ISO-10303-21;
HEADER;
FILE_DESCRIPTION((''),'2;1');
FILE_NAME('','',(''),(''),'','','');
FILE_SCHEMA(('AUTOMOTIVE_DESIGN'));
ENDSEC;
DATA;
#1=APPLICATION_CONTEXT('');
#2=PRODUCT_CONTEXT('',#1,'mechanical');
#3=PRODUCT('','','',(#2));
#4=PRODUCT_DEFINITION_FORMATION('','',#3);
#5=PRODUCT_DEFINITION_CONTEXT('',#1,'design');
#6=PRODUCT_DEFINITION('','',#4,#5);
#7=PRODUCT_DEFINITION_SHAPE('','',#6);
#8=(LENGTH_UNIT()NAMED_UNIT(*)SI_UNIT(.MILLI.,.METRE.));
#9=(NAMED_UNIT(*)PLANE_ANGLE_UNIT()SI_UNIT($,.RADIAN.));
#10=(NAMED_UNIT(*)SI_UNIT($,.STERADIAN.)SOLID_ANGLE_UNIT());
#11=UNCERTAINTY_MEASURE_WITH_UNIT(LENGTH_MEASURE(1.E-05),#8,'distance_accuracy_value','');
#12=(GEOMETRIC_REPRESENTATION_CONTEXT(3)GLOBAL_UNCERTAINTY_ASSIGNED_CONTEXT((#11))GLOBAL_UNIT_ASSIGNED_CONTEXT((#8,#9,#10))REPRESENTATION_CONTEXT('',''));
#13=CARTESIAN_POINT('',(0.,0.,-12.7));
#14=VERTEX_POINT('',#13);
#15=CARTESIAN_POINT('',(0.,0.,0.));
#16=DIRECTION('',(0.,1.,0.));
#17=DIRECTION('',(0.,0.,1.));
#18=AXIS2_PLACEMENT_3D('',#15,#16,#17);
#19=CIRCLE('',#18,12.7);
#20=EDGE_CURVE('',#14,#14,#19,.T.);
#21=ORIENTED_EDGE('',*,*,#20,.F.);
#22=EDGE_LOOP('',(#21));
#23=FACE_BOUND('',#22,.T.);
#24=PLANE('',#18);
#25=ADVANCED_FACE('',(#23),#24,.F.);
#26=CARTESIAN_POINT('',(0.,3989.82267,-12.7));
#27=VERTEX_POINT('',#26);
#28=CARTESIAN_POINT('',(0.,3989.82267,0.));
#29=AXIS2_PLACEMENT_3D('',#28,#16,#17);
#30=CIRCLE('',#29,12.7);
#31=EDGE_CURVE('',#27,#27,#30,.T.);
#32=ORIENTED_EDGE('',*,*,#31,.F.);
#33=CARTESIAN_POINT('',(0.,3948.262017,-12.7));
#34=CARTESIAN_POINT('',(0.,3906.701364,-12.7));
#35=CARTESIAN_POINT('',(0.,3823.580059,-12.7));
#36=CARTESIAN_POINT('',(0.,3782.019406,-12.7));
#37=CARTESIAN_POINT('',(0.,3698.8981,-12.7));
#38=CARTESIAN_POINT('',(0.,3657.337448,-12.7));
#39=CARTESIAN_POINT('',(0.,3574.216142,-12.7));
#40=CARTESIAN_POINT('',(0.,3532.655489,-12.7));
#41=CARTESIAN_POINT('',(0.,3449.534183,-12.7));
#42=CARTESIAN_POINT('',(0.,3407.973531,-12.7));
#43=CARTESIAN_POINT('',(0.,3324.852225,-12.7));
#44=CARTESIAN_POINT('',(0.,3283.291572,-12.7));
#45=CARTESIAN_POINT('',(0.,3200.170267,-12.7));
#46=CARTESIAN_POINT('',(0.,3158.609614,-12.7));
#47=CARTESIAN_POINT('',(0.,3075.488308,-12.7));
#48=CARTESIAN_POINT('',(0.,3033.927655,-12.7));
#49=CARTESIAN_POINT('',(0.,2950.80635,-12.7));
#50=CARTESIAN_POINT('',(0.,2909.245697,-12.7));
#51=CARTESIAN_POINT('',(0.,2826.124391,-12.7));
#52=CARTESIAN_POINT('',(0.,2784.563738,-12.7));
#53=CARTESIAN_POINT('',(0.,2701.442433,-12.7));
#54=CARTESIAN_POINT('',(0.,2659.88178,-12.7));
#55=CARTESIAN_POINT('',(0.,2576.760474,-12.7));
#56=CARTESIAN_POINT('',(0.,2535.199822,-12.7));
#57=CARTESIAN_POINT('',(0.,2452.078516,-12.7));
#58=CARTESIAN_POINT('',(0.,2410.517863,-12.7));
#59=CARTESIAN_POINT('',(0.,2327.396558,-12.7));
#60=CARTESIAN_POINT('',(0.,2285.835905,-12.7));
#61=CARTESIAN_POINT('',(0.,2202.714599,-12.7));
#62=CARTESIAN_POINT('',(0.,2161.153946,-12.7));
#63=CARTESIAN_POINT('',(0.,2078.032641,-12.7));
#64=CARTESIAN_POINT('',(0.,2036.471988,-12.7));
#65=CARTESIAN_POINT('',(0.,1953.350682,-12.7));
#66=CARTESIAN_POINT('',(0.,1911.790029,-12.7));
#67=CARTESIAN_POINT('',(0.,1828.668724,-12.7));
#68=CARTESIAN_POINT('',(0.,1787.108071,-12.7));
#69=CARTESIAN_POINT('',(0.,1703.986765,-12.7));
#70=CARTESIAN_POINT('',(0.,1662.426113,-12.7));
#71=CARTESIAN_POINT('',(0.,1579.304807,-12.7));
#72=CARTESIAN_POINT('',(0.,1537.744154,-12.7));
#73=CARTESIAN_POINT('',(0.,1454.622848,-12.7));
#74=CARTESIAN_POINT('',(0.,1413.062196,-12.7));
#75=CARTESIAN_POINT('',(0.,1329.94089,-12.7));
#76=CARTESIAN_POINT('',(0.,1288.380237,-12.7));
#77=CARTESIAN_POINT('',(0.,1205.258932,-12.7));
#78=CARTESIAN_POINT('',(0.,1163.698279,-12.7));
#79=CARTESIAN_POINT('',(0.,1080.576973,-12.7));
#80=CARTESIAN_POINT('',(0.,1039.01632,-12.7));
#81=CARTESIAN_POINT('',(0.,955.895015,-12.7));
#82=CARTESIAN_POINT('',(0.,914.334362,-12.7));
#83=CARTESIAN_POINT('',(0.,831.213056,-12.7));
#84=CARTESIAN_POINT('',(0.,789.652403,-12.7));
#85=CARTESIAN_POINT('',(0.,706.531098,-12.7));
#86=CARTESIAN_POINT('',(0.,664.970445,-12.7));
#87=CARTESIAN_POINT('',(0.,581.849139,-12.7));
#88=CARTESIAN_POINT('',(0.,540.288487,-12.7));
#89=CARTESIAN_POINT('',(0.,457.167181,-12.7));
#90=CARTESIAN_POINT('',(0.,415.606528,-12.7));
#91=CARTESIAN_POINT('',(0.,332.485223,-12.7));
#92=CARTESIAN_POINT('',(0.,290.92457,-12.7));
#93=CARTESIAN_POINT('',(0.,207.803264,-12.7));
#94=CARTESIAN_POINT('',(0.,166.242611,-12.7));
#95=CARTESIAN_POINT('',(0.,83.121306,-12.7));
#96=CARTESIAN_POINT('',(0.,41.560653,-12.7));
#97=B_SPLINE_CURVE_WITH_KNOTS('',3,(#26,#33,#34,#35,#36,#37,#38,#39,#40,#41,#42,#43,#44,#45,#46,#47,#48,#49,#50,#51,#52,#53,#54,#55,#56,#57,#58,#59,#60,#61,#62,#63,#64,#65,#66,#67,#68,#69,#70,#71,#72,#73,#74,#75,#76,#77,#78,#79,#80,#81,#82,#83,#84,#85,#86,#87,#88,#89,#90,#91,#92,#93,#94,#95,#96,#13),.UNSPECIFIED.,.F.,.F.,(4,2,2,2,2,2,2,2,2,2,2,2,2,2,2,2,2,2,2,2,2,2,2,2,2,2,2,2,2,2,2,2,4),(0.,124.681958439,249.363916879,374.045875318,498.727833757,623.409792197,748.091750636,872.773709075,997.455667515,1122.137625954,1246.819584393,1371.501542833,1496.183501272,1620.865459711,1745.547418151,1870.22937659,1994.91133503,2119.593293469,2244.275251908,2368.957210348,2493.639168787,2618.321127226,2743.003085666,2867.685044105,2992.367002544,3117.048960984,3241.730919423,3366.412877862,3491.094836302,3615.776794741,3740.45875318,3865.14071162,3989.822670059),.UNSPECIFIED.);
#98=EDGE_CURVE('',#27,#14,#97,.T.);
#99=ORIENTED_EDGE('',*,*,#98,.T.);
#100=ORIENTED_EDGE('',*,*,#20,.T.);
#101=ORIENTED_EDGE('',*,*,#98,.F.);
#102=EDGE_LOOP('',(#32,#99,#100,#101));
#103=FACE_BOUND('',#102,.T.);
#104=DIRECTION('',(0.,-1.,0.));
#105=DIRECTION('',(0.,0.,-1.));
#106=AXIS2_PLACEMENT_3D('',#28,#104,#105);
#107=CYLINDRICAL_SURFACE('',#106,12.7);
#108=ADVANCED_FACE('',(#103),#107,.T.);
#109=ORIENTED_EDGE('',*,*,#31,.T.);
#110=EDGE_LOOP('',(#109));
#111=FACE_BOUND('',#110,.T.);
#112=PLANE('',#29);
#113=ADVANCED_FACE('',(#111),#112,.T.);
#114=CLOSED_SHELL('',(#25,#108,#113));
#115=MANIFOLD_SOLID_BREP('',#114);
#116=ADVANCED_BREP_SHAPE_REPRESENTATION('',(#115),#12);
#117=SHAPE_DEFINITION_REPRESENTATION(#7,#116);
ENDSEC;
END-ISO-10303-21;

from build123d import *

# Parameters (mm, degrees)
SKETCH1_R           = 12.7
BOSS_EXTRUDE1_DEPTH = 3989.822670059


with BuildPart() as part:
    # Sketch1 → Boss-Extrude1 (new body)
    with BuildSketch(Plane(origin=(0, 0, 0), x_dir=(1, 0, 0), z_dir=(0, 1, 0))):
        with Locations(Location((0, 0, 0), (0, 0, 90))):
            Circle(SKETCH1_R)
    extrude(amount=BOSS_EXTRUDE1_DEPTH)


solid = part.part
